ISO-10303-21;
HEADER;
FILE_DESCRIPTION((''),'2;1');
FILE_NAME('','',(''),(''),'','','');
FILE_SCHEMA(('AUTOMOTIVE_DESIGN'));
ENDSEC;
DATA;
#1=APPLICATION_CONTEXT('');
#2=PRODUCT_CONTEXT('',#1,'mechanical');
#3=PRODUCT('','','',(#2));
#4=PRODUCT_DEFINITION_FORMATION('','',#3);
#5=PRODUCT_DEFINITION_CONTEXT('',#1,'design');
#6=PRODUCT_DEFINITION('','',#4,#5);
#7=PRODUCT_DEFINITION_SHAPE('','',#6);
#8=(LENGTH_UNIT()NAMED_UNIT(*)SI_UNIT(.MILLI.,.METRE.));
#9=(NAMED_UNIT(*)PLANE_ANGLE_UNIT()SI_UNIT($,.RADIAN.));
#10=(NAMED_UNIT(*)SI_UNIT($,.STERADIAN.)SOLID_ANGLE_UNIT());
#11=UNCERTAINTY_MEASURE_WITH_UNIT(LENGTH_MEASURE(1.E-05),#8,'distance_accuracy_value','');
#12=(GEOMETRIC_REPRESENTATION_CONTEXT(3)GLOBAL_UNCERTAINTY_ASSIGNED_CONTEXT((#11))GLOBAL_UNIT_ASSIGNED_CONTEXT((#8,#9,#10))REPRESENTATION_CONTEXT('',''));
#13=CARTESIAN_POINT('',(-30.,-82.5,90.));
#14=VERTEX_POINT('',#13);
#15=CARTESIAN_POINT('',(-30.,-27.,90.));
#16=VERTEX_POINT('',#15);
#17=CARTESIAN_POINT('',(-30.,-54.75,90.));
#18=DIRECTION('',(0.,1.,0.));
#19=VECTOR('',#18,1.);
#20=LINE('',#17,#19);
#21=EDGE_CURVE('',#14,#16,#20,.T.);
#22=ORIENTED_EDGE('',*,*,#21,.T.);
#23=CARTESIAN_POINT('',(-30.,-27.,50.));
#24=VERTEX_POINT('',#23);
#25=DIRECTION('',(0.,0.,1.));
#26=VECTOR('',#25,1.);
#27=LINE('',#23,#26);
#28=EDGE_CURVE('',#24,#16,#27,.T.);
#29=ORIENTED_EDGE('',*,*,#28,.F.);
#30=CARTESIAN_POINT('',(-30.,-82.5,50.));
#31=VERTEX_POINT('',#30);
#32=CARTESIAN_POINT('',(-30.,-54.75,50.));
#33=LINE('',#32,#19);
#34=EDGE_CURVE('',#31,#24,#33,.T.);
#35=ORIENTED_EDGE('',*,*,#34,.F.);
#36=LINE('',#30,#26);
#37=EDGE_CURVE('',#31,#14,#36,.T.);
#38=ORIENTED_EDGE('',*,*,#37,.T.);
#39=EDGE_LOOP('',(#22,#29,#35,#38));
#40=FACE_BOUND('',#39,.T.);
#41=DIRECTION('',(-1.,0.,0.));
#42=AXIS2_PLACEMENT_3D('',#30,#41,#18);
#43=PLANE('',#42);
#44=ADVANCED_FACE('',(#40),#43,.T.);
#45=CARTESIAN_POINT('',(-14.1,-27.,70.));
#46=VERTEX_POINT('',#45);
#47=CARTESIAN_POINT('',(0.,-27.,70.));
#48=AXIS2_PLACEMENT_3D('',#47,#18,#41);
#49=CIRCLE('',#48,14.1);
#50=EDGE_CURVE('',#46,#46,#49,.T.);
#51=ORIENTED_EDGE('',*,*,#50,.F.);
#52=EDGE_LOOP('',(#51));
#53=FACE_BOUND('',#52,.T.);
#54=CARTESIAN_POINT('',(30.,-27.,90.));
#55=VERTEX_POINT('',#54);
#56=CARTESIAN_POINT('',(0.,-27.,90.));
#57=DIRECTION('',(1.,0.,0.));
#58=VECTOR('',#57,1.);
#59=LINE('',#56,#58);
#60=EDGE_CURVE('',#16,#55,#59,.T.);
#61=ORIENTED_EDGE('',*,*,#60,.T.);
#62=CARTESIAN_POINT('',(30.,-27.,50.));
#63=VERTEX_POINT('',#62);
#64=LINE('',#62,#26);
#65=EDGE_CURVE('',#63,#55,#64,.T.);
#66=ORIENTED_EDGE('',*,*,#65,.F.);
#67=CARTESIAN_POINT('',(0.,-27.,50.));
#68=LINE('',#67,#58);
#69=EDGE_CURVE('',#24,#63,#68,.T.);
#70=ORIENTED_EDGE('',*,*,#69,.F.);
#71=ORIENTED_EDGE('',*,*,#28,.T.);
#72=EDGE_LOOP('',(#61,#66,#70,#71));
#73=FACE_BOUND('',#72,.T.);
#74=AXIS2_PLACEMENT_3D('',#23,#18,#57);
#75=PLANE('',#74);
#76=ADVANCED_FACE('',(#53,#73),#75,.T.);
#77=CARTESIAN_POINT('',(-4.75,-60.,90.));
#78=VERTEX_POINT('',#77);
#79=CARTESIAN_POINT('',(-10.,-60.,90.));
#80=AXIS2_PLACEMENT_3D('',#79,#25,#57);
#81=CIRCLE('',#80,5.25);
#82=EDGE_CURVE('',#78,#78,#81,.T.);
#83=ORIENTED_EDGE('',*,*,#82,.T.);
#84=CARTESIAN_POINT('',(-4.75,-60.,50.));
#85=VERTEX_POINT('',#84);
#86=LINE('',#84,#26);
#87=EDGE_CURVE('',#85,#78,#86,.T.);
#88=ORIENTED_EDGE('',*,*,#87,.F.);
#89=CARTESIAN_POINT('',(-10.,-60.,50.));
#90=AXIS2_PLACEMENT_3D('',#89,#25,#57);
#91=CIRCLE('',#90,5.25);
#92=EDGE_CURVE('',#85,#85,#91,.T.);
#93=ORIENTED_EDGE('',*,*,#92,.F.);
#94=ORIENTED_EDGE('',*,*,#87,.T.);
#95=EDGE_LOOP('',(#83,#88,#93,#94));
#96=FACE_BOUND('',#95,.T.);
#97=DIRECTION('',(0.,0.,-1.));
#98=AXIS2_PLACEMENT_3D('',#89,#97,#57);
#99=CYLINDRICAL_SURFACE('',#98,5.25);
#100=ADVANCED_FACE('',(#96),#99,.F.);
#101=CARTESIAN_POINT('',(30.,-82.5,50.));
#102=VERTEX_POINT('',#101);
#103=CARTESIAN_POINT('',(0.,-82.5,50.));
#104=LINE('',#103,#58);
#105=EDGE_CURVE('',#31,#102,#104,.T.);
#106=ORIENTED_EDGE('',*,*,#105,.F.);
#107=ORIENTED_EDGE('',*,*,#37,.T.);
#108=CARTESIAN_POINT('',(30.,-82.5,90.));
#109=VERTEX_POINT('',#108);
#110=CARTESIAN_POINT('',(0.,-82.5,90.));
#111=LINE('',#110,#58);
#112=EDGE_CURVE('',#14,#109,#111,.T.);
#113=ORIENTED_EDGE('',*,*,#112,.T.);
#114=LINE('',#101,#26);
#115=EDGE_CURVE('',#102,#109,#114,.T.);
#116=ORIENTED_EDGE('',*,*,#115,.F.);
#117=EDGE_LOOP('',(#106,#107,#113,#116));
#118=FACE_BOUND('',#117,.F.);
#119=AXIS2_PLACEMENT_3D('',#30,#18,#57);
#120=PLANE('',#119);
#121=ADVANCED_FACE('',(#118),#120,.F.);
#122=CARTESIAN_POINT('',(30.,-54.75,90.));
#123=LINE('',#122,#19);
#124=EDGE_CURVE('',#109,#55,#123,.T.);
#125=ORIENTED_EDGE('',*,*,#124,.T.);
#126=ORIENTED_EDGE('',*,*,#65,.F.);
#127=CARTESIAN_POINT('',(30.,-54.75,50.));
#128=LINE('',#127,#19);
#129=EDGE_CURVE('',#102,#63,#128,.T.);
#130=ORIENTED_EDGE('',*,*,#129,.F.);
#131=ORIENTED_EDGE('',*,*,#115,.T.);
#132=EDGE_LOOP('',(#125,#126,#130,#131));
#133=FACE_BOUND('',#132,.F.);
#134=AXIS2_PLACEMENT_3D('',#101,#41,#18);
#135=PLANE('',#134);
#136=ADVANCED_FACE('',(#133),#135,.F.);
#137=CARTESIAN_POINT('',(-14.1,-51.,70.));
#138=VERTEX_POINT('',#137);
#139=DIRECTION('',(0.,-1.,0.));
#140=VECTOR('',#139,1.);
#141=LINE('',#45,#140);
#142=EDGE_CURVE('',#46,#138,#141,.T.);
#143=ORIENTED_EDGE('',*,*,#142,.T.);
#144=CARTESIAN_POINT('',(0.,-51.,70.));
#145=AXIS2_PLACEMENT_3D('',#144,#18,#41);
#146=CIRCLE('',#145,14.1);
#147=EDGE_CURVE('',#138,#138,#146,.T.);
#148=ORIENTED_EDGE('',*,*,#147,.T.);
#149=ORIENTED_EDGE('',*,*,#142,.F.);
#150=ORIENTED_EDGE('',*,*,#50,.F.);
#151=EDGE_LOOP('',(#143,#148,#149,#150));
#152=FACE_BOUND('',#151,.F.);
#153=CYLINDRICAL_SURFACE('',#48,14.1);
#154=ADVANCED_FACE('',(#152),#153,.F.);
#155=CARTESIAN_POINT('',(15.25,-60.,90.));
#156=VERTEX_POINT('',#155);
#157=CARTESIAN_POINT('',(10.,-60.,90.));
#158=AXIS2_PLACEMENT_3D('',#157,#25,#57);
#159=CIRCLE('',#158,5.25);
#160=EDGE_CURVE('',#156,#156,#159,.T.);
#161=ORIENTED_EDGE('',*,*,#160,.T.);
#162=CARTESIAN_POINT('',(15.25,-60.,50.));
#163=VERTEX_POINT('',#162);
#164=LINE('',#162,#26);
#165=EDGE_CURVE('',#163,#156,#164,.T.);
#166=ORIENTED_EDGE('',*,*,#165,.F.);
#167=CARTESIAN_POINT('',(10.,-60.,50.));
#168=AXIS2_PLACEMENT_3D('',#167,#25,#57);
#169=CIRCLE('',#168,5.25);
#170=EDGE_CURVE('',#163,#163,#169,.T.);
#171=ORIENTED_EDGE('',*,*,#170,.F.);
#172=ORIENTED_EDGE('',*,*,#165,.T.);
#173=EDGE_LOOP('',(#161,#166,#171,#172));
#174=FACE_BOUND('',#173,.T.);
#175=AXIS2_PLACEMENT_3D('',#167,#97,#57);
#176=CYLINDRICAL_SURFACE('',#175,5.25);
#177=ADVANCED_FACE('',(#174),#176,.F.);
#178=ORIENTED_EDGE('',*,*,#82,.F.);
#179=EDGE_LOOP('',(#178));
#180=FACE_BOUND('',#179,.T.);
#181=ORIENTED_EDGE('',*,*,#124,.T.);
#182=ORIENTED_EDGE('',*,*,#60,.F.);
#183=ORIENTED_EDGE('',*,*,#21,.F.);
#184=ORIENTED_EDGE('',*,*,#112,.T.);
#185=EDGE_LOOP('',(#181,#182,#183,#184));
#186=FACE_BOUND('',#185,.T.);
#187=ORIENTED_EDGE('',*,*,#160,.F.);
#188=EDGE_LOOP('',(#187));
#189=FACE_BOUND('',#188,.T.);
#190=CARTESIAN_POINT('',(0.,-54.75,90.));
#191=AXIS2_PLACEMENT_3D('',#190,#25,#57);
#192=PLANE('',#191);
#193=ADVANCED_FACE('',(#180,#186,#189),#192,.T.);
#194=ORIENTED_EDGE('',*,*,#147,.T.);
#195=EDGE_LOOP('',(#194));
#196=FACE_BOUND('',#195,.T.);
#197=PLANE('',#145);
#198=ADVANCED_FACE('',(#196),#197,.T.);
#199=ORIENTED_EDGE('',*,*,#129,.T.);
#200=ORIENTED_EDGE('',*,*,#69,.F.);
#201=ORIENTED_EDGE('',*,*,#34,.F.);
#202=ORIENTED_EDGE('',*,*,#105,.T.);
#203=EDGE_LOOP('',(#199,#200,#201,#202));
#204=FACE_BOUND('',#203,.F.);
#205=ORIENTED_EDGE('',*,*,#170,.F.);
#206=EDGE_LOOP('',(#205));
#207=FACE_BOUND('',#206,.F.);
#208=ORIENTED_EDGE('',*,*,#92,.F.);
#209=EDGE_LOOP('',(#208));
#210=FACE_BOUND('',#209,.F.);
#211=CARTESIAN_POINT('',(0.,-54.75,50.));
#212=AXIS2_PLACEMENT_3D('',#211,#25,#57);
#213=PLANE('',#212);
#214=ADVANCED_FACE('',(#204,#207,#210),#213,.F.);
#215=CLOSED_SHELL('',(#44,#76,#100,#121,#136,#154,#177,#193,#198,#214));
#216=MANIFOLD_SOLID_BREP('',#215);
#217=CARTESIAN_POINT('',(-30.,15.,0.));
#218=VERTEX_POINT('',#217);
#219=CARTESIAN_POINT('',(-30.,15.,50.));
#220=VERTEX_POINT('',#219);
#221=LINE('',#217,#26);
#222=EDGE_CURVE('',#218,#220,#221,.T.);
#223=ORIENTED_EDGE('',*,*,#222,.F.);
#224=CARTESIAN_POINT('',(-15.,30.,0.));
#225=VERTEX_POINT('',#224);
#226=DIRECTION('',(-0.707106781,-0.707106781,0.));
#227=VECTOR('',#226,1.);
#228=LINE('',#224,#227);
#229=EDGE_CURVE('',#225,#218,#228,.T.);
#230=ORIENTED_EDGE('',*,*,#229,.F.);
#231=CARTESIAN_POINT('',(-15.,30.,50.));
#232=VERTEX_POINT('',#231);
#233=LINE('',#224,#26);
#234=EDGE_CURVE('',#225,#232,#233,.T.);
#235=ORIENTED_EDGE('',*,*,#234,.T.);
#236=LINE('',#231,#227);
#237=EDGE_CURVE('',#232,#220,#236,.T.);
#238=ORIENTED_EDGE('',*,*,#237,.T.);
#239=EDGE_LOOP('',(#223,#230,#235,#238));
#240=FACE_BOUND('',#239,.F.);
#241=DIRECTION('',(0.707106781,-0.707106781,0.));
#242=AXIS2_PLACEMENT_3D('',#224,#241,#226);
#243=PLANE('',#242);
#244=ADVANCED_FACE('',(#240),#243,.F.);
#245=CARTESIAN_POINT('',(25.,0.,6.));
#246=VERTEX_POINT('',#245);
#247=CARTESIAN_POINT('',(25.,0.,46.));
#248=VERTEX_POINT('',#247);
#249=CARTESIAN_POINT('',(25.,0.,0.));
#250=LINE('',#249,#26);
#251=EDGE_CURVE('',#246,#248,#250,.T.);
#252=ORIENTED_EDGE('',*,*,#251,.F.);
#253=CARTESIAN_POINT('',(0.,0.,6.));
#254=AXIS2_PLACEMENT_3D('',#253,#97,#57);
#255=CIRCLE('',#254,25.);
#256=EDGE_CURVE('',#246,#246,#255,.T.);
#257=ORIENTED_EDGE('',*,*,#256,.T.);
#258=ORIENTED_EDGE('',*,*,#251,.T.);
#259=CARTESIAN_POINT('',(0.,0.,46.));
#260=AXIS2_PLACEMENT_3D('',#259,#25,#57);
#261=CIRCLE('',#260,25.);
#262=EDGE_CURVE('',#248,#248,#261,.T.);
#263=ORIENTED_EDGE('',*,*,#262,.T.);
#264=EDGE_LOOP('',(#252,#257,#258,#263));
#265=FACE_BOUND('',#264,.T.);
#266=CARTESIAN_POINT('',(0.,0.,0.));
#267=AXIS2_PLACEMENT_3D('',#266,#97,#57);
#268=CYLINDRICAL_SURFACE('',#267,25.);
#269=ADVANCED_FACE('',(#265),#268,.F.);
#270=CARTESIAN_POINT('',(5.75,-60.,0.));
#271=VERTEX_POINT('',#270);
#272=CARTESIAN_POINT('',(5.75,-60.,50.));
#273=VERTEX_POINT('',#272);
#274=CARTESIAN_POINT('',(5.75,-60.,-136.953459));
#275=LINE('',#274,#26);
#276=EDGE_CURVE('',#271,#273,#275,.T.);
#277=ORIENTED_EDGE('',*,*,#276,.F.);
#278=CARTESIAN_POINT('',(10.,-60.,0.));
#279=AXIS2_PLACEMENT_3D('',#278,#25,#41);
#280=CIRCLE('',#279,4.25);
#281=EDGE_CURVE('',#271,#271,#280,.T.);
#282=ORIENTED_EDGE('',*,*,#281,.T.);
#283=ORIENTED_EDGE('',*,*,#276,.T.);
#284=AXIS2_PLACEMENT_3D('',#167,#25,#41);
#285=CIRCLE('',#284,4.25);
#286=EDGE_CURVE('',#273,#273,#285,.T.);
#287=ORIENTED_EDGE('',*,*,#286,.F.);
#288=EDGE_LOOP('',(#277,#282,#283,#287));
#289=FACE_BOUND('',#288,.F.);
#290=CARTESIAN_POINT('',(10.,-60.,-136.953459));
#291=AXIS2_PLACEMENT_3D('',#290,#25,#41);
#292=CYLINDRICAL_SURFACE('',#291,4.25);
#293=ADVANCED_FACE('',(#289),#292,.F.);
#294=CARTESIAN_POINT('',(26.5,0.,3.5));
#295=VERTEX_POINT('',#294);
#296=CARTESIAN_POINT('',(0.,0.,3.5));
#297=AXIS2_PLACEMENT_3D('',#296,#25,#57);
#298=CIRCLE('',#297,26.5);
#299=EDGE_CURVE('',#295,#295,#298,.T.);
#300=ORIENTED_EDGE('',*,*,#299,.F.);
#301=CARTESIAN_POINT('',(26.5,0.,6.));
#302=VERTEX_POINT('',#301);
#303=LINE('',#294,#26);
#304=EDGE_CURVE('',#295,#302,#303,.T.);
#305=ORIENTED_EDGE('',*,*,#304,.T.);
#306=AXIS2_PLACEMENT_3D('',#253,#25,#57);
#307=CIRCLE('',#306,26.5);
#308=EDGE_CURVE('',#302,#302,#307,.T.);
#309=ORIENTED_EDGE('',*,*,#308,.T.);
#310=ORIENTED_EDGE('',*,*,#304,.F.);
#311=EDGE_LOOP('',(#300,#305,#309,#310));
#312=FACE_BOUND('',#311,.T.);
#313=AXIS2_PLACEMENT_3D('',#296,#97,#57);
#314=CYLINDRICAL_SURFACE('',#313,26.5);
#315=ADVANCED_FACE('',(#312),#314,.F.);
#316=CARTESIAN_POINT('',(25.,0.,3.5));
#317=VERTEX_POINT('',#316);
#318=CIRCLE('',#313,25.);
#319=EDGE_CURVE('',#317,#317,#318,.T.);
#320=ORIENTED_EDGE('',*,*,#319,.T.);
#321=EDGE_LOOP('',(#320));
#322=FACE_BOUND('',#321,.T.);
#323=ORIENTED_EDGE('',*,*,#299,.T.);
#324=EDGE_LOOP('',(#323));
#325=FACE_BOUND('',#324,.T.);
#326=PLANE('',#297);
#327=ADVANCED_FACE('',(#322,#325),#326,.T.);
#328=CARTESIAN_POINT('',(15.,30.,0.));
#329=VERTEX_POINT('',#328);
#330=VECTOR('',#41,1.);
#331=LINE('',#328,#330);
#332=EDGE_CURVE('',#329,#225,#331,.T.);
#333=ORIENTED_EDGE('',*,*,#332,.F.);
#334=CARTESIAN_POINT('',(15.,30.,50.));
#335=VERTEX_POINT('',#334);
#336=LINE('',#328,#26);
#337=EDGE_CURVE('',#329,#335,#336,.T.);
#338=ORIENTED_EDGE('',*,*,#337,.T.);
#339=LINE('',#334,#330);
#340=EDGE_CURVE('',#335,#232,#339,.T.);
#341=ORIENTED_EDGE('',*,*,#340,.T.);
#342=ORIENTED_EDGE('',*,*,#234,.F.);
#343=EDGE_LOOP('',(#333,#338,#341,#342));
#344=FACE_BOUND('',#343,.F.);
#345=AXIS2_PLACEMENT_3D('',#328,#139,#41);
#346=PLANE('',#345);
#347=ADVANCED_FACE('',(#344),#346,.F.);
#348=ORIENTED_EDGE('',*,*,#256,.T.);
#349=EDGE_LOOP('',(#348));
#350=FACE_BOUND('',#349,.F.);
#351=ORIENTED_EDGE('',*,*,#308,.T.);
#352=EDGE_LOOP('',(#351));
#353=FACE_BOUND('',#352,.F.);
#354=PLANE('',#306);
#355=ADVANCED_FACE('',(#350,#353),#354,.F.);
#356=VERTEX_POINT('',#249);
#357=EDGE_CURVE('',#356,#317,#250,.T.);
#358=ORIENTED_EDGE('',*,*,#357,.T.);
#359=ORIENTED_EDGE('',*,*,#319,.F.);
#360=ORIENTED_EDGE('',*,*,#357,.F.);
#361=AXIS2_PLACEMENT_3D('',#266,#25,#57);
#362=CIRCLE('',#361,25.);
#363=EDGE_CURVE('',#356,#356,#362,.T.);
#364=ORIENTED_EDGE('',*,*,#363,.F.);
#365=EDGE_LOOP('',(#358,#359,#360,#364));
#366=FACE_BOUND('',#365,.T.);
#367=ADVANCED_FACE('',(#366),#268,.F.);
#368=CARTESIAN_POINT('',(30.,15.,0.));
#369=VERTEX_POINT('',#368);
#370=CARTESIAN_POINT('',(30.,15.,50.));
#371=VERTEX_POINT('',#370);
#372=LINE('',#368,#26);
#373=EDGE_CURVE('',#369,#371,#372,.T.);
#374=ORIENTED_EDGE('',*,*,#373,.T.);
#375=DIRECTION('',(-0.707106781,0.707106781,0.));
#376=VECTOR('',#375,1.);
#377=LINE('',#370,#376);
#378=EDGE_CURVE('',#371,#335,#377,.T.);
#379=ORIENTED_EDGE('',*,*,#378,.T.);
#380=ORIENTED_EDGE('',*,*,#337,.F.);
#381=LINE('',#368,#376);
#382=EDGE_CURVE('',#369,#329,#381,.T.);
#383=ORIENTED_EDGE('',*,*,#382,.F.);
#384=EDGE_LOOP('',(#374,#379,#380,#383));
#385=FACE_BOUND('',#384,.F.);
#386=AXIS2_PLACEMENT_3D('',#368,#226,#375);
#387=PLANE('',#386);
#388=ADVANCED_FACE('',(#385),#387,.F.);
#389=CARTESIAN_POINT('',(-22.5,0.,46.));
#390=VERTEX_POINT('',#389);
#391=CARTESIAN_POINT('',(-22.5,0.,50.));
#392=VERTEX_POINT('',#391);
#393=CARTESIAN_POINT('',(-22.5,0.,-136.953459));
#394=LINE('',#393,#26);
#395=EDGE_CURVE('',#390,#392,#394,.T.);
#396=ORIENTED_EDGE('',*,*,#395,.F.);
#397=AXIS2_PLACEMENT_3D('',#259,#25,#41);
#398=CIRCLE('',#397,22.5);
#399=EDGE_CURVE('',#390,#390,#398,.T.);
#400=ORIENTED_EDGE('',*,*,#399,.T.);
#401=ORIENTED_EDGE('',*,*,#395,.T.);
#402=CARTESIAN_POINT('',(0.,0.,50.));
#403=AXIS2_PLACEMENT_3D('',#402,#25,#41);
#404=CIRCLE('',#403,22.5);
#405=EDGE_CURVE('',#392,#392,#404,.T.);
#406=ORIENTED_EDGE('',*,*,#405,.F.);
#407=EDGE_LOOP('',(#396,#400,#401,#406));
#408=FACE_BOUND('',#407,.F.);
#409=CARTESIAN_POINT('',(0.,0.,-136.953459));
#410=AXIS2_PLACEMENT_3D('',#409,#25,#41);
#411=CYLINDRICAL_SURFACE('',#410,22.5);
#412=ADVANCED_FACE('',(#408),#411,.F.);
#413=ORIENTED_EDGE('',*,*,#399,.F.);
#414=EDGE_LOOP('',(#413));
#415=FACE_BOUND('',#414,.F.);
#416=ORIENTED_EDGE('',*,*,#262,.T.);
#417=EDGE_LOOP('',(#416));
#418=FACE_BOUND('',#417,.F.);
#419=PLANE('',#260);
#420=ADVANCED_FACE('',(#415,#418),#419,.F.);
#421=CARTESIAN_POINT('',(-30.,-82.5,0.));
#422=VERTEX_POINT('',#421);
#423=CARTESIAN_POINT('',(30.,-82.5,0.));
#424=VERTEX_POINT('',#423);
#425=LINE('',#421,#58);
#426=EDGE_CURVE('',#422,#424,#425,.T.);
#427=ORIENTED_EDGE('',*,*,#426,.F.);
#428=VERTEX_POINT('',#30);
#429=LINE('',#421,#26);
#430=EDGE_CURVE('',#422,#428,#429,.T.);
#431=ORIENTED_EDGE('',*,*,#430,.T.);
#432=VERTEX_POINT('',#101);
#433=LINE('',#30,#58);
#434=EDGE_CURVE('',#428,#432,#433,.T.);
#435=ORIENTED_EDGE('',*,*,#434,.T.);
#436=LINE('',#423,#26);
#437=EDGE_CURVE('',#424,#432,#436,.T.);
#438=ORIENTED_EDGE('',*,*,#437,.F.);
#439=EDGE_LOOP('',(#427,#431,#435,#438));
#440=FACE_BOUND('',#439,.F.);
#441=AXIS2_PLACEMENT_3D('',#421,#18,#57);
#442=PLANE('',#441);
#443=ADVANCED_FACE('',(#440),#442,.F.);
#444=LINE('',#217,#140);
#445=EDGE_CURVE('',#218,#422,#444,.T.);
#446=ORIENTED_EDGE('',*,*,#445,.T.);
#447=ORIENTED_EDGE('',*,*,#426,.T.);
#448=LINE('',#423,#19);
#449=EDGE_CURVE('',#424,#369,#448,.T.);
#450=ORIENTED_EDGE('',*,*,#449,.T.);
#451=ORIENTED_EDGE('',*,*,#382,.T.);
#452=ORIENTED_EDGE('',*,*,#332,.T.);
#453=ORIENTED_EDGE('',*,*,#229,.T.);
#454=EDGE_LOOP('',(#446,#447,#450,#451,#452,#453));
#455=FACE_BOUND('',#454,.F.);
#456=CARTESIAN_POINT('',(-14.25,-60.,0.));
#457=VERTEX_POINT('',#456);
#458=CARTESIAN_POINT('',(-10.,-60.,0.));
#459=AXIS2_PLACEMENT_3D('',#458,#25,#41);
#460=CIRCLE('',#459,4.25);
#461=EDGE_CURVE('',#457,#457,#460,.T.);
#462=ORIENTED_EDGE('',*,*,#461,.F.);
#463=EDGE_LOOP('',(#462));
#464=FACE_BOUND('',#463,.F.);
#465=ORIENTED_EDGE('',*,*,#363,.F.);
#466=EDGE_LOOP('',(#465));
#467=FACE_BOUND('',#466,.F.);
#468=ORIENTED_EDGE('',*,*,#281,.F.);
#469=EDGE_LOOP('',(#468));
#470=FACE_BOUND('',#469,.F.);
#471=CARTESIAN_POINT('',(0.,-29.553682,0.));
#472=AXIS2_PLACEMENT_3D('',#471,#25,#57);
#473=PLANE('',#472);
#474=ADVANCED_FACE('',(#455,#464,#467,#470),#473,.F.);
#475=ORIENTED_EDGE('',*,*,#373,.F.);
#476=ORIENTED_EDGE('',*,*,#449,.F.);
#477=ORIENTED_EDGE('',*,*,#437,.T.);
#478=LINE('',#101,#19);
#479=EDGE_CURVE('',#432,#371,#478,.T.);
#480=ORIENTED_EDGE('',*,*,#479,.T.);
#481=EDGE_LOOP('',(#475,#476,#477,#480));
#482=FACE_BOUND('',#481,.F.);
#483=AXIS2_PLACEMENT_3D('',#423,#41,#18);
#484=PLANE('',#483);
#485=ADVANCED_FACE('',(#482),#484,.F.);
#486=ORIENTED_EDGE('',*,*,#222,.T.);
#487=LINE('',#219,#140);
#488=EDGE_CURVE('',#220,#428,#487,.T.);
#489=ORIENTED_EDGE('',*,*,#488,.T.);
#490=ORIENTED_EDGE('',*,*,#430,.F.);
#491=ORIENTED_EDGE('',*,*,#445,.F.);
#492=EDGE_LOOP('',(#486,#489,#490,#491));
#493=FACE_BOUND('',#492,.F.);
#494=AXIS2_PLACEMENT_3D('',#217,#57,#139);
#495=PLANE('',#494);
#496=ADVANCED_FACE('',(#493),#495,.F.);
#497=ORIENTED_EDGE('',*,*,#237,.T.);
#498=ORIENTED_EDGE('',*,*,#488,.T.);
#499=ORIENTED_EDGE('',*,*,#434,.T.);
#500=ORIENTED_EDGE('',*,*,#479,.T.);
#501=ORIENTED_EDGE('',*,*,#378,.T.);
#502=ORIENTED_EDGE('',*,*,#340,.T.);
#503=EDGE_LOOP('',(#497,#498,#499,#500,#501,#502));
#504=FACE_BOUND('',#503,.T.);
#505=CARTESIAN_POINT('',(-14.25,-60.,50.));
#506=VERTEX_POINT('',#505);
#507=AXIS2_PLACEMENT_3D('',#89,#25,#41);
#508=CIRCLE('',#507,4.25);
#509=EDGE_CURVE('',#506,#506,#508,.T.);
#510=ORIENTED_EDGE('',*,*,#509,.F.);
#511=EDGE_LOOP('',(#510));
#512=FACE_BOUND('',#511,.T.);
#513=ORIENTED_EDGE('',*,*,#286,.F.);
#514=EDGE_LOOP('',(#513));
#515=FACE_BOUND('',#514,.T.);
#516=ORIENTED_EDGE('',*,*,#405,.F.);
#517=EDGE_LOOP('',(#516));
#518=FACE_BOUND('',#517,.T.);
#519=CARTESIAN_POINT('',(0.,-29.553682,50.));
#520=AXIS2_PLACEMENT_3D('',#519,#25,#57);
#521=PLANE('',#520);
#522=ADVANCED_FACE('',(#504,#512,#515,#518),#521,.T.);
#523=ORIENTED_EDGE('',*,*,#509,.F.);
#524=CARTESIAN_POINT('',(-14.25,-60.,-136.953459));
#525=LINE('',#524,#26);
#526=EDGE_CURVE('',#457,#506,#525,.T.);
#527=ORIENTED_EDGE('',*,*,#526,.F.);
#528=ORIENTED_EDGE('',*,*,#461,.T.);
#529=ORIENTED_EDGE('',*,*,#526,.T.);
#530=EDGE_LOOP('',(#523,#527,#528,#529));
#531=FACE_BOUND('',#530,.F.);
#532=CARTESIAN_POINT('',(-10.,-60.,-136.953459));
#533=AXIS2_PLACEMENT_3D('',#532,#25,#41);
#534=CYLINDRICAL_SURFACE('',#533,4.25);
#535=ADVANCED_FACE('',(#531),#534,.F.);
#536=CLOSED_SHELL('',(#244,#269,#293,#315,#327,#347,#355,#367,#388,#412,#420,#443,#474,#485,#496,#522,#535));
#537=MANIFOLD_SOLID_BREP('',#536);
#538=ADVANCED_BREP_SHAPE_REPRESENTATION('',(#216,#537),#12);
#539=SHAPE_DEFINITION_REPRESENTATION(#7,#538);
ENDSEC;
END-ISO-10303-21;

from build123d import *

# Parameters (mm, degrees)
F1_DEPTH  = 50
F2_D      = 8.5
F3_D      = 45
F4_R      = 25
F5_DEPTH  = 46
F7_START  = 3.5
F6_R      = 26.5
F7_DEPTH  = 2.5
F8_W      = 60
F8_H      = 55.5
F8_R      = 5.25
F9_DEPTH  = 40
F10_R     = 14.1
F11_DEPTH = 24


with BuildPart() as f1:
    # F0 (on Top) → F1 (new body)
    with BuildSketch(Plane.XY):
        Polygon((15, 30), (-15, 30), (-30, 15), (-30, -82.5), (30, -82.5), (30, 15), align=None)
    extrude(amount=F1_DEPTH)

    # F2 (through all)
    with Locations(Plane(origin=(0, 0, 0), x_dir=(1, 0, 0), z_dir=(0, 0, -1))):
        with Locations((-10, 60), (10, 60)):
            Hole(F2_D / 2)

    # F3 (through all)
    with Locations(Plane(origin=(0, 0, 0), x_dir=(1, 0, 0), z_dir=(0, 0, -1))):
        with Locations((0, 0)):
            Hole(F3_D / 2)

    # F4 (on Top) → F5 (cut)
    with BuildSketch(Plane.XY):
        Circle(F4_R)
    extrude(amount=F5_DEPTH, mode=Mode.SUBTRACT)

    # F6 (on Top) → F7 (cut)
    with BuildSketch(Plane.XY.offset(F7_START)):
        Circle(F6_R)
    extrude(amount=F7_DEPTH, mode=Mode.SUBTRACT)


with BuildPart() as f9:
    # F8 (on face) → F9 (new body)
    with BuildSketch(Plane.XY.offset(50)):
        with Locations((0, -54.75)):
            Rectangle(F8_W, F8_H)
        with Locations((-10, -60)):
            Circle(F8_R, mode=Mode.SUBTRACT)
        with Locations((10, -60)):
            Circle(F8_R, mode=Mode.SUBTRACT)
    extrude(amount=F9_DEPTH)

    # F10 (on face) → F11 (cut)
    with BuildSketch(Plane(origin=(0, -27, 0), x_dir=(-1, 0, 0), z_dir=(0, 1, 0))):
        with Locations((0, 70)):
            Circle(F10_R)
    extrude(amount=-F11_DEPTH, mode=Mode.SUBTRACT)


solid = Compound([f1.part, f9.part])
